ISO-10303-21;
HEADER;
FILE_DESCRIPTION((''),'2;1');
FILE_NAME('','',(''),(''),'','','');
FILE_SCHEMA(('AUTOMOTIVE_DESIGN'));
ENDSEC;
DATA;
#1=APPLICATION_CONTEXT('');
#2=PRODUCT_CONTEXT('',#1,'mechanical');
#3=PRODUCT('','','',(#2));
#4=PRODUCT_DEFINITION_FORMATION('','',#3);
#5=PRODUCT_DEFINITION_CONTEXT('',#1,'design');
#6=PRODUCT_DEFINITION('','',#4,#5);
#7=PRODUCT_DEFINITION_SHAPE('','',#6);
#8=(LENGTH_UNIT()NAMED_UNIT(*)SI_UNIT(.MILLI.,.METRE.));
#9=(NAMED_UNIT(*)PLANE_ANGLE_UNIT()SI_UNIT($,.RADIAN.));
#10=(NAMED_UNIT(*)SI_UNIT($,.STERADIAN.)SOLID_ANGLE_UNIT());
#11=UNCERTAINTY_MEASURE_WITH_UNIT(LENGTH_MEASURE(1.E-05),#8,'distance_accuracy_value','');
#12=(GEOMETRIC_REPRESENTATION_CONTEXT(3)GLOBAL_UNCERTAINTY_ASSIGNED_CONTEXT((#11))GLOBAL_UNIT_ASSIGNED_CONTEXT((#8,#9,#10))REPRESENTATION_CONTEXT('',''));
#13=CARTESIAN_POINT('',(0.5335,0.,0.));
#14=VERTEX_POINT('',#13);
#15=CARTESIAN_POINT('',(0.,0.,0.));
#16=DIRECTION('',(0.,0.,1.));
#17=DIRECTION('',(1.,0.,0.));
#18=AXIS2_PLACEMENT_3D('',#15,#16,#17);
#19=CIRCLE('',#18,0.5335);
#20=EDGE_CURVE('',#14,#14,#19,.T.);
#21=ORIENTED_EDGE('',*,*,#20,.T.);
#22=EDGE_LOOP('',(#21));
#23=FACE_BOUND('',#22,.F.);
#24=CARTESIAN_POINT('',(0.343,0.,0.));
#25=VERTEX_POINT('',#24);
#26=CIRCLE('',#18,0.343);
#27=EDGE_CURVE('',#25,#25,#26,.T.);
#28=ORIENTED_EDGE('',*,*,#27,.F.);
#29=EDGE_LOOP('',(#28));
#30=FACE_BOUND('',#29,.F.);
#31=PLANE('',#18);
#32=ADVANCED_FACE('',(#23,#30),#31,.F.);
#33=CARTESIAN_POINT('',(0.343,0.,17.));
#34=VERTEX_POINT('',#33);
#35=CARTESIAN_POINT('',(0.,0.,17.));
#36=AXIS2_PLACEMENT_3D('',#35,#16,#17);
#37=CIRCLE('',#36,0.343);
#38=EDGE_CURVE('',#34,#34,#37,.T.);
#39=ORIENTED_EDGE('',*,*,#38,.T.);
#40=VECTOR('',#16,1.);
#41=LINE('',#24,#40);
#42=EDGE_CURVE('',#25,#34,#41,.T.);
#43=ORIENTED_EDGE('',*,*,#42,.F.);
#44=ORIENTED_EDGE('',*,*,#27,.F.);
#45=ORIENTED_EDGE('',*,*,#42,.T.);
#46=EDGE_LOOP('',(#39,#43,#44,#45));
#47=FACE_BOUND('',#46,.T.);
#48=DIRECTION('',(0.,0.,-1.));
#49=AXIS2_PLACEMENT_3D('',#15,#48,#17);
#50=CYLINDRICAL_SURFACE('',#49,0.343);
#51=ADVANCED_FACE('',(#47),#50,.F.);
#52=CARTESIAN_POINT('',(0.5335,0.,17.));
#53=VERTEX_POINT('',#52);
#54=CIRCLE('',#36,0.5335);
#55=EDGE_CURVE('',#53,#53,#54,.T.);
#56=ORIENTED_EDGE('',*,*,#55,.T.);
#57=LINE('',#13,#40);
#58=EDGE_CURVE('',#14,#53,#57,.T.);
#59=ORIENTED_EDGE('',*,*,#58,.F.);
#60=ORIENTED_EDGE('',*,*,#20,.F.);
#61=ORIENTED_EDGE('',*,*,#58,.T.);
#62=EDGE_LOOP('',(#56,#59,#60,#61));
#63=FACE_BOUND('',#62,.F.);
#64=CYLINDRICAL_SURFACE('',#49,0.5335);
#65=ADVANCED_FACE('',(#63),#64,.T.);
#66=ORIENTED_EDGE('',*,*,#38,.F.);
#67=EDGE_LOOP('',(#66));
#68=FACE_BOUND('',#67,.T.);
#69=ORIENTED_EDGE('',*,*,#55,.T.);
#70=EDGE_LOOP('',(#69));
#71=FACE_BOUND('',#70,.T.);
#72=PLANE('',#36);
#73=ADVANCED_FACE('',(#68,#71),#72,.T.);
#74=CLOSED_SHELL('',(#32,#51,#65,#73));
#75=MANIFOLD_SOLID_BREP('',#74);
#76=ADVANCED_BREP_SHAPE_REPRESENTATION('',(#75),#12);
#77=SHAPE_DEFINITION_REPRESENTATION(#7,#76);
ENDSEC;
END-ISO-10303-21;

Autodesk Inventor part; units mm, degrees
ref_plane "YZ Plane" through (0, 0, 0) normal (1, 0, 0) x (0, 1, 0)
ref_plane "XZ Plane" through (0, 0, 0) normal (0, 1, 0) x (-1, 0, 0)
ref_plane "XY Plane" through (0, 0, 0) normal (0, 0, 1) x (1, 0, 0)
sketch "Sketch1" plane through (0, 0, 0) normal (0, 0, 1) x (1, 0, 0)
  circle A0 centre (0, 0) radius 0.5335
  circle A1 centre (0, 0) radius 0.343
  dimension "d0" = 1.067
  dimension "d1" = 0.686
extrude "Extrusion1" add sketch "Sketch1" along normal blind 17
properties part number "23G_Pillar"
